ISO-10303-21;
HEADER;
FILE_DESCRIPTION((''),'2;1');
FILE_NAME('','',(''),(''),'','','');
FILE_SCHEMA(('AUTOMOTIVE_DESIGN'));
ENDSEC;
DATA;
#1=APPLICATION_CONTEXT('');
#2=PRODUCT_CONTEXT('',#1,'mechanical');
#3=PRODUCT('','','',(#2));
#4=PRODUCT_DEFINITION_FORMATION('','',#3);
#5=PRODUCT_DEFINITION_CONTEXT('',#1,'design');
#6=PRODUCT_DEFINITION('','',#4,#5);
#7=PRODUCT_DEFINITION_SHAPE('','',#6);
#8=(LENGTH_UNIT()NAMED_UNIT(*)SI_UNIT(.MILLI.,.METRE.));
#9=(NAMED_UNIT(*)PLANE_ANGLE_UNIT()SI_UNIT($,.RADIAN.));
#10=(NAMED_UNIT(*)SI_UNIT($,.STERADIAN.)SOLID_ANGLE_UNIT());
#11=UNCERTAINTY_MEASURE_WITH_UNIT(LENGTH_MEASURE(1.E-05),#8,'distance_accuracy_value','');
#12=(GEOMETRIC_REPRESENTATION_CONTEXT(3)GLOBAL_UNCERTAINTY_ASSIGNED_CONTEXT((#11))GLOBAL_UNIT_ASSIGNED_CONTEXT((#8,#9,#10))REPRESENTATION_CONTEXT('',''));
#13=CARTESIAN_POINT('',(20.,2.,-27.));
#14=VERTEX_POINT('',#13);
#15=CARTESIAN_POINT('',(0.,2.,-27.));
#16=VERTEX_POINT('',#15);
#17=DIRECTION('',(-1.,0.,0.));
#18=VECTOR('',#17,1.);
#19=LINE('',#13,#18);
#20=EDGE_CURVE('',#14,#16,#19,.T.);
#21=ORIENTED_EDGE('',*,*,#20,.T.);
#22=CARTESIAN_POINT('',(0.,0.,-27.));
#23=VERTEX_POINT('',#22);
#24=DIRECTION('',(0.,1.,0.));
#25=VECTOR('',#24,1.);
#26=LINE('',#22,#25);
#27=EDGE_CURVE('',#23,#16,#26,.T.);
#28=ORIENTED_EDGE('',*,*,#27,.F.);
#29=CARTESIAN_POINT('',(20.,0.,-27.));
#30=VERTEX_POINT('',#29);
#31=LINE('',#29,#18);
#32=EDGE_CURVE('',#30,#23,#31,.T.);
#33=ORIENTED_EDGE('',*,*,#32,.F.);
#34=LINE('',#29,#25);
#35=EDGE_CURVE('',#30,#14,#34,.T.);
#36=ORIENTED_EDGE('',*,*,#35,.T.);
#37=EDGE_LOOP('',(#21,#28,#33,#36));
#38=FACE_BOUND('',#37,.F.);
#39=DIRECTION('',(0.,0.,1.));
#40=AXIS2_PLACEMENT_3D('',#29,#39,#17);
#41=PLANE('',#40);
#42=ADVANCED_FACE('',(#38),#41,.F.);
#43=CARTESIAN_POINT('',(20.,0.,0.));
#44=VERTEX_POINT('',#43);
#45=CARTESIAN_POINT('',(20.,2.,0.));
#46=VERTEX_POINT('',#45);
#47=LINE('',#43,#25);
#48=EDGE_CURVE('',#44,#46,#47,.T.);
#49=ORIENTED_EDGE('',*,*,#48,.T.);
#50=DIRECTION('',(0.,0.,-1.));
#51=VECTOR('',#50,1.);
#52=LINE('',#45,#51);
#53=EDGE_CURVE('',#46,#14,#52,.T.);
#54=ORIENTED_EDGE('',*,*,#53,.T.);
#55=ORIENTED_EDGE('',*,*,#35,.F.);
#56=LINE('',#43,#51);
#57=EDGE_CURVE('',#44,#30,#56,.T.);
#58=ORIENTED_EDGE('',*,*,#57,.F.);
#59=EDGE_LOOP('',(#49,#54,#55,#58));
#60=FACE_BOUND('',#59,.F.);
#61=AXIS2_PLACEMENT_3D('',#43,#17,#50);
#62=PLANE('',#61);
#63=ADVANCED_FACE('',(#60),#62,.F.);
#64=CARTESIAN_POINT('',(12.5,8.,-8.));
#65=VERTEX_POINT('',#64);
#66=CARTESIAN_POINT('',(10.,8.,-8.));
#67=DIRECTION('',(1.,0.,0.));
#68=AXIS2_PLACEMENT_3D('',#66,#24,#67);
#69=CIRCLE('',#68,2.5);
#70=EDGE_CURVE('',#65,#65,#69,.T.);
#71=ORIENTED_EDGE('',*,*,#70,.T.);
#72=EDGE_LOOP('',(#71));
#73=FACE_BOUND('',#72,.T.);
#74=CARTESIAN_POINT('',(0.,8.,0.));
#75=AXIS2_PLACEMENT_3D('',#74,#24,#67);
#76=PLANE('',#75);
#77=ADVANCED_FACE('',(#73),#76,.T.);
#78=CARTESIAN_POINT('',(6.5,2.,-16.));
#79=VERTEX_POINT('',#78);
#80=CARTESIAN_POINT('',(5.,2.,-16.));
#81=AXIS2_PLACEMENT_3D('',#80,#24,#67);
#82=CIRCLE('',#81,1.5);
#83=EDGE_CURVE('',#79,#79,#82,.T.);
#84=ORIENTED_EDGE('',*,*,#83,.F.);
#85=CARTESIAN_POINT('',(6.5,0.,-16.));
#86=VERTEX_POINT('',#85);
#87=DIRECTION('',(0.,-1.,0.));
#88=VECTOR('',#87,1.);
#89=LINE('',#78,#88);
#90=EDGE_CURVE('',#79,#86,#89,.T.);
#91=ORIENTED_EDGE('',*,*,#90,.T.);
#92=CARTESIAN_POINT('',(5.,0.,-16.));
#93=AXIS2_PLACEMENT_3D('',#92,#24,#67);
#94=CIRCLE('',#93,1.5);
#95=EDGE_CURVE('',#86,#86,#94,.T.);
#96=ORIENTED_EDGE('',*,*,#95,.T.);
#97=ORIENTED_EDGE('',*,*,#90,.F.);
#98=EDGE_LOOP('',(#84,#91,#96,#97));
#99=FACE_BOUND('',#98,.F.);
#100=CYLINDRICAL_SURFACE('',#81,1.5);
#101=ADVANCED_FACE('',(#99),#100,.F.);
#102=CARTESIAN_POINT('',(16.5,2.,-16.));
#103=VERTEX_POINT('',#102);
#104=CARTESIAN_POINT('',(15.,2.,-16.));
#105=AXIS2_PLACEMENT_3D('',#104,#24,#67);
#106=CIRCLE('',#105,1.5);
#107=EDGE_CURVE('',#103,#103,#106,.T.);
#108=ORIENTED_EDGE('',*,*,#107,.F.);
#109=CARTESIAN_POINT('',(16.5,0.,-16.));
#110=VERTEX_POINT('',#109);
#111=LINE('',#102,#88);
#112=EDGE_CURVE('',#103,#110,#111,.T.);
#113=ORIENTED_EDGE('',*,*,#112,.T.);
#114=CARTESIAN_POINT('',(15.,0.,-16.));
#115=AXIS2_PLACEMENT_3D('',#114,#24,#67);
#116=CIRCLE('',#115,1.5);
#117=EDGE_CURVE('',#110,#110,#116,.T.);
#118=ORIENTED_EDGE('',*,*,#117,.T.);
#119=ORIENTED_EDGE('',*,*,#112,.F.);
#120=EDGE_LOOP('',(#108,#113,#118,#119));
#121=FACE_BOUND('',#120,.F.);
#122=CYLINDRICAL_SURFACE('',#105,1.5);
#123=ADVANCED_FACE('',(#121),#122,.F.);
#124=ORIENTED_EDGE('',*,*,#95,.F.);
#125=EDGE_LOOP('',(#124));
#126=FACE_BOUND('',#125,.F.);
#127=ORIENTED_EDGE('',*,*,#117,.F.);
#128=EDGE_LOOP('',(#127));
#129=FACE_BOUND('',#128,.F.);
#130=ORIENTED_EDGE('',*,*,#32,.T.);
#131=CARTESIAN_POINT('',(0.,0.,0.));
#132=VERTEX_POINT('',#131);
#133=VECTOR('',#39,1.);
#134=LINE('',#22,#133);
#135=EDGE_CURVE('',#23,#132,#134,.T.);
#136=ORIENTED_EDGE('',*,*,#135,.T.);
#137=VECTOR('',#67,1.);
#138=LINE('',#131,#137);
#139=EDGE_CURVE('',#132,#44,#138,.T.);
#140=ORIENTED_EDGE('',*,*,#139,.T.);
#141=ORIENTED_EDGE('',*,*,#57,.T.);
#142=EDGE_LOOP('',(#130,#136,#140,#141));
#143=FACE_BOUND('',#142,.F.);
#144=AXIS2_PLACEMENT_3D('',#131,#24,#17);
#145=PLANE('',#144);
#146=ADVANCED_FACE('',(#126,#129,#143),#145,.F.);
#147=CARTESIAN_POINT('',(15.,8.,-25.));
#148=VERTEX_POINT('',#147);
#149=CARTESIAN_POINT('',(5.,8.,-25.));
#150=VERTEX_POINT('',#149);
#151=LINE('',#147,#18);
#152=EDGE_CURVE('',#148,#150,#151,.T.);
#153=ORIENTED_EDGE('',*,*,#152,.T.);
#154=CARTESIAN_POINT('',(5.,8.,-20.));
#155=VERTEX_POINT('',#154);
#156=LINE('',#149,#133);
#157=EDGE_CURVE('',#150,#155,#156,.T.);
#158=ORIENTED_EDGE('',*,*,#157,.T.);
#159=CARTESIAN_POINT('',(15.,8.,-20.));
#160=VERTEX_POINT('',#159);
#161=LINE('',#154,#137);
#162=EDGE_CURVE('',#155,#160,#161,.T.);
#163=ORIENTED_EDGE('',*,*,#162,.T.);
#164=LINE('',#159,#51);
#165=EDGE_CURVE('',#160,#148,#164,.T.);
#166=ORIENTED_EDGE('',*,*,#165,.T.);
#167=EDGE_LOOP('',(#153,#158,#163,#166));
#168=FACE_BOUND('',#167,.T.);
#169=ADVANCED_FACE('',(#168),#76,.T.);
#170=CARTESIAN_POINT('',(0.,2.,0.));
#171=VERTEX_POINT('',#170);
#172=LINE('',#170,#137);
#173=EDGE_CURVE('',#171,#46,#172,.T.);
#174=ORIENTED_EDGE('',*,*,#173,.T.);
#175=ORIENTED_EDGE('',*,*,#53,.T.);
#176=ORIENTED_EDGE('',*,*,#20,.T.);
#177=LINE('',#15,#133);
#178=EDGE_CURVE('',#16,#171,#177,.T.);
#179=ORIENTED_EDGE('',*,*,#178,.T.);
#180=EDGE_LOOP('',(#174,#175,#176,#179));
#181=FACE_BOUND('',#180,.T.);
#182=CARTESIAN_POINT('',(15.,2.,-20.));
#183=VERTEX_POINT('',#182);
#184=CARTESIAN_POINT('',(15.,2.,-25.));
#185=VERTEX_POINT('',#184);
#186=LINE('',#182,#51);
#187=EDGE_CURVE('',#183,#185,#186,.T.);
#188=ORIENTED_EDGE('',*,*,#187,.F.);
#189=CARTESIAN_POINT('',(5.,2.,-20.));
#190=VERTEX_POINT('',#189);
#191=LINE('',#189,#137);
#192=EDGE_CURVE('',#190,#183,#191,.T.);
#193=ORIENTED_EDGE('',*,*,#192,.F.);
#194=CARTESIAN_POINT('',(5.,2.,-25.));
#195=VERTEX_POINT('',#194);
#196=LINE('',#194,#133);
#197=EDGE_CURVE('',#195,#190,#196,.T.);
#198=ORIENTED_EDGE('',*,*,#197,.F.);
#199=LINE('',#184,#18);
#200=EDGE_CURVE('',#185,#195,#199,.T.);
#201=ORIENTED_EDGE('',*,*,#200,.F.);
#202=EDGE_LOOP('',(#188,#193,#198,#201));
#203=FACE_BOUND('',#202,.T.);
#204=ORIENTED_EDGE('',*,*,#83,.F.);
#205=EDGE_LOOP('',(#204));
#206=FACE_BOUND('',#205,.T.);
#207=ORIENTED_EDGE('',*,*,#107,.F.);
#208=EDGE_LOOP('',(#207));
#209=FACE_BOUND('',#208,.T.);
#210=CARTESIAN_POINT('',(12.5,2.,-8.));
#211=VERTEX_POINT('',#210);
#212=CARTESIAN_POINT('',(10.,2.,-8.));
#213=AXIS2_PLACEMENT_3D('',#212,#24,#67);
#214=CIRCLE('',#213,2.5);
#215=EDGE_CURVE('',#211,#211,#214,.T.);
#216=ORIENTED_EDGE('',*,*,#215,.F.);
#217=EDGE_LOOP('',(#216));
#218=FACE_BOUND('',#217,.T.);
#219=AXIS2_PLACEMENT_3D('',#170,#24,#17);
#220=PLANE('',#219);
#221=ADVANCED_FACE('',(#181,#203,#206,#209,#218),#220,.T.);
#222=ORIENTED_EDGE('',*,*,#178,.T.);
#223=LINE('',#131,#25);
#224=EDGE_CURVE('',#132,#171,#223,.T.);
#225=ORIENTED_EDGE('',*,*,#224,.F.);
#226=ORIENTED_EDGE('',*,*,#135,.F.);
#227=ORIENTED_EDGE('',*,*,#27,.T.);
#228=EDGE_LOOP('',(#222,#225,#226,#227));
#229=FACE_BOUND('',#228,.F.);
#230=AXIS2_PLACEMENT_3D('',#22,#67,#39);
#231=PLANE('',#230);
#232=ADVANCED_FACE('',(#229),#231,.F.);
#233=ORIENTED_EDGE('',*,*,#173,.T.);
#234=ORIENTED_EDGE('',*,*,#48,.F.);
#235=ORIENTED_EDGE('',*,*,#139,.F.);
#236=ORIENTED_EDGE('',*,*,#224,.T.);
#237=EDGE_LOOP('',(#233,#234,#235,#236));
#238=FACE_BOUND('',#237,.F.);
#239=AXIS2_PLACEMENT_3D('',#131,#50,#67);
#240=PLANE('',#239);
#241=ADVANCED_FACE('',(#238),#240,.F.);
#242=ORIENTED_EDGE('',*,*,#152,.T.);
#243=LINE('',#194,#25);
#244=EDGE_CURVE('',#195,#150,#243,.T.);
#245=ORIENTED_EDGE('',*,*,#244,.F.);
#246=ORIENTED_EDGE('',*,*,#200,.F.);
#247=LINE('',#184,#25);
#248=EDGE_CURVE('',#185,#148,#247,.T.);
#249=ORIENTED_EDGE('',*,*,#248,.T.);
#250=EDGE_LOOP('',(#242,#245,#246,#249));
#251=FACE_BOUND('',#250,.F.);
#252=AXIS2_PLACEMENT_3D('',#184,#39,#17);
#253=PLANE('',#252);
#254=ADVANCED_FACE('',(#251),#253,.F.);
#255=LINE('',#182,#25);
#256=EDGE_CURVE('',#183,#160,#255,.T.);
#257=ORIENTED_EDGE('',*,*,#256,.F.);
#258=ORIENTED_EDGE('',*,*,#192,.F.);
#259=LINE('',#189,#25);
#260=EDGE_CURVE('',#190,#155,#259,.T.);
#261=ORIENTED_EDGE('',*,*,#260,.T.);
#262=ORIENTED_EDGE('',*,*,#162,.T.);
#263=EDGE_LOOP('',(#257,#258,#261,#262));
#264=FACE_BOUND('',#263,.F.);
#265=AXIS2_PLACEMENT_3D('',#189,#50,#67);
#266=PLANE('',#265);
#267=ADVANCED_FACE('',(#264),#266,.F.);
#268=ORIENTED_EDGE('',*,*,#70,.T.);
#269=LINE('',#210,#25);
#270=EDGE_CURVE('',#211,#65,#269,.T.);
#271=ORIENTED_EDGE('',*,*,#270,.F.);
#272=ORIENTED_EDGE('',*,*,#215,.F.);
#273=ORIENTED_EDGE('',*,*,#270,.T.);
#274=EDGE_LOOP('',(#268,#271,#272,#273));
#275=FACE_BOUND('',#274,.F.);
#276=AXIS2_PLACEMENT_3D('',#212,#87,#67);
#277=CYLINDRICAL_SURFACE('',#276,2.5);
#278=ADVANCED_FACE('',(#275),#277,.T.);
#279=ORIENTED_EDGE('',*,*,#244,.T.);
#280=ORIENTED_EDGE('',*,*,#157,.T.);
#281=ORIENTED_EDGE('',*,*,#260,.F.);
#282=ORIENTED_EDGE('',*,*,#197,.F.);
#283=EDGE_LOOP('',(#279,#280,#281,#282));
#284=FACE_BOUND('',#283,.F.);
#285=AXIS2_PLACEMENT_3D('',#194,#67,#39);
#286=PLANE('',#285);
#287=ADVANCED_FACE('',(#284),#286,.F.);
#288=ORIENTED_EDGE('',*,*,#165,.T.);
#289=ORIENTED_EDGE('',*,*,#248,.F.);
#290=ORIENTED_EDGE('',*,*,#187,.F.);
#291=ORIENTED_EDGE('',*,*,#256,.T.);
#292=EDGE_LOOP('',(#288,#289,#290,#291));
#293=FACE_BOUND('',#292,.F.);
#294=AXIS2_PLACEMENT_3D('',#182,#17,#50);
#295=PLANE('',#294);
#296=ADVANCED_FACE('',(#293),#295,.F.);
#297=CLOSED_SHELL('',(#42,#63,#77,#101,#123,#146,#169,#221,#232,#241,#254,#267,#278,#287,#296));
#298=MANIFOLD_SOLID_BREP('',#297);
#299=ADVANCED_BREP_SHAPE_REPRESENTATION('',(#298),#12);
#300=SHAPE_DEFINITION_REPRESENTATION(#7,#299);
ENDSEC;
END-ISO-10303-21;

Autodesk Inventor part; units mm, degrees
ref_plane "YZ Plane" through (0, 0, 0) normal (1, 0, 0) x (0, 1, 0)
ref_plane "XZ Plane" through (0, 0, 0) normal (0, 1, 0) x (-1, 0, 0)
ref_plane "XY Plane" through (0, 0, 0) normal (0, 0, 1) x (1, 0, 0)
sketch "스케치1" plane through (0, 0, 0) normal (0, 1, 0) x (-1, 0, 0)
  line L0 (0, 0) -> (-20, 0)
  line L1 (-20, 0) -> (-20, -27)
  line L2 (-20, -27) -> (0, -27)
  line L3 (0, -27) -> (0, 0)
  dimension "d0" = 20
  dimension "d1" = 27
extrude "돌출1" add sketch "스케치1" along normal blind 2
sketch "스케치2" plane through (0, 2, 0) normal (0, 1, 0) x (1, 0, 0)
  line L0 (0, 0) -> (20, 0) projected
  line L1 (20, 0) -> (20, 27) projected
  line L2 (20, 27) -> (0, 27) projected
  line L3 (0, 27) -> (0, 0) projected
  line L4 (5, 20) -> (15, 20)
  line L5 (15, 20) -> (15, 25)
  line L6 (15, 25) -> (5, 25)
  line L7 (5, 25) -> (5, 20)
  dimension "d4" = 5
  dimension "d5" = 2
  dimension "d6" = 5
  dimension "d7" = 10
extrude "돌출2" add sketch "스케치2" along normal blind 6 contours L7 L6 L5 L4
sketch "스케치3" plane through (0, 2, 0) normal (0, 1, 0) x (1, 0, 0)
  line L0 (5, 20) -> (5, 25) projected
  line L1 (5, 25) -> (15, 25) projected
  line L2 (15, 25) -> (15, 20) projected
  line L3 (15, 20) -> (5, 20) projected
  line L4 (0, 0) -> (20, 0) projected
  line L5 (20, 0) -> (20, 27) projected
  line L6 (20, 27) -> (0, 27) projected
  line L7 (0, 27) -> (0, 0) projected
  circle A0 centre (10, 8) radius 2.5
  dimension "d10" = 5
  dimension "d11" = 8
extrude "돌출3" add sketch "스케치3" along normal blind 6 contours A0
sketch "스케치4" plane through (0, 2, 0) normal (0, 1, 0) x (1, 0, 0)
  circle A0 centre (10, 8) radius 2.5 projected
  line L0 (5, 20) -> (5, 25) projected
  line L1 (5, 25) -> (15, 25) projected
  line L2 (15, 25) -> (15, 20) projected
  line L3 (15, 20) -> (5, 20) projected
  line L4 (0, 0) -> (20, 0) projected
  line L5 (20, 0) -> (20, 27) projected
  line L6 (20, 27) -> (0, 27) projected
  line L7 (0, 27) -> (0, 0) projected
  circle A1 centre (5, 16) radius 1.5
  circle A2 centre (15, 16) radius 1.5
  dimension "d14" = 3
  dimension "d15" = 3
  dimension "d16" = 5
  dimension "d17" = 11
  dimension "d18" = 11
  dimension "d19" = 5
extrude "돌출4" cut sketch "스케치4" against normal blind 6 contours A1 | A2
properties part number "CdS모듈"
